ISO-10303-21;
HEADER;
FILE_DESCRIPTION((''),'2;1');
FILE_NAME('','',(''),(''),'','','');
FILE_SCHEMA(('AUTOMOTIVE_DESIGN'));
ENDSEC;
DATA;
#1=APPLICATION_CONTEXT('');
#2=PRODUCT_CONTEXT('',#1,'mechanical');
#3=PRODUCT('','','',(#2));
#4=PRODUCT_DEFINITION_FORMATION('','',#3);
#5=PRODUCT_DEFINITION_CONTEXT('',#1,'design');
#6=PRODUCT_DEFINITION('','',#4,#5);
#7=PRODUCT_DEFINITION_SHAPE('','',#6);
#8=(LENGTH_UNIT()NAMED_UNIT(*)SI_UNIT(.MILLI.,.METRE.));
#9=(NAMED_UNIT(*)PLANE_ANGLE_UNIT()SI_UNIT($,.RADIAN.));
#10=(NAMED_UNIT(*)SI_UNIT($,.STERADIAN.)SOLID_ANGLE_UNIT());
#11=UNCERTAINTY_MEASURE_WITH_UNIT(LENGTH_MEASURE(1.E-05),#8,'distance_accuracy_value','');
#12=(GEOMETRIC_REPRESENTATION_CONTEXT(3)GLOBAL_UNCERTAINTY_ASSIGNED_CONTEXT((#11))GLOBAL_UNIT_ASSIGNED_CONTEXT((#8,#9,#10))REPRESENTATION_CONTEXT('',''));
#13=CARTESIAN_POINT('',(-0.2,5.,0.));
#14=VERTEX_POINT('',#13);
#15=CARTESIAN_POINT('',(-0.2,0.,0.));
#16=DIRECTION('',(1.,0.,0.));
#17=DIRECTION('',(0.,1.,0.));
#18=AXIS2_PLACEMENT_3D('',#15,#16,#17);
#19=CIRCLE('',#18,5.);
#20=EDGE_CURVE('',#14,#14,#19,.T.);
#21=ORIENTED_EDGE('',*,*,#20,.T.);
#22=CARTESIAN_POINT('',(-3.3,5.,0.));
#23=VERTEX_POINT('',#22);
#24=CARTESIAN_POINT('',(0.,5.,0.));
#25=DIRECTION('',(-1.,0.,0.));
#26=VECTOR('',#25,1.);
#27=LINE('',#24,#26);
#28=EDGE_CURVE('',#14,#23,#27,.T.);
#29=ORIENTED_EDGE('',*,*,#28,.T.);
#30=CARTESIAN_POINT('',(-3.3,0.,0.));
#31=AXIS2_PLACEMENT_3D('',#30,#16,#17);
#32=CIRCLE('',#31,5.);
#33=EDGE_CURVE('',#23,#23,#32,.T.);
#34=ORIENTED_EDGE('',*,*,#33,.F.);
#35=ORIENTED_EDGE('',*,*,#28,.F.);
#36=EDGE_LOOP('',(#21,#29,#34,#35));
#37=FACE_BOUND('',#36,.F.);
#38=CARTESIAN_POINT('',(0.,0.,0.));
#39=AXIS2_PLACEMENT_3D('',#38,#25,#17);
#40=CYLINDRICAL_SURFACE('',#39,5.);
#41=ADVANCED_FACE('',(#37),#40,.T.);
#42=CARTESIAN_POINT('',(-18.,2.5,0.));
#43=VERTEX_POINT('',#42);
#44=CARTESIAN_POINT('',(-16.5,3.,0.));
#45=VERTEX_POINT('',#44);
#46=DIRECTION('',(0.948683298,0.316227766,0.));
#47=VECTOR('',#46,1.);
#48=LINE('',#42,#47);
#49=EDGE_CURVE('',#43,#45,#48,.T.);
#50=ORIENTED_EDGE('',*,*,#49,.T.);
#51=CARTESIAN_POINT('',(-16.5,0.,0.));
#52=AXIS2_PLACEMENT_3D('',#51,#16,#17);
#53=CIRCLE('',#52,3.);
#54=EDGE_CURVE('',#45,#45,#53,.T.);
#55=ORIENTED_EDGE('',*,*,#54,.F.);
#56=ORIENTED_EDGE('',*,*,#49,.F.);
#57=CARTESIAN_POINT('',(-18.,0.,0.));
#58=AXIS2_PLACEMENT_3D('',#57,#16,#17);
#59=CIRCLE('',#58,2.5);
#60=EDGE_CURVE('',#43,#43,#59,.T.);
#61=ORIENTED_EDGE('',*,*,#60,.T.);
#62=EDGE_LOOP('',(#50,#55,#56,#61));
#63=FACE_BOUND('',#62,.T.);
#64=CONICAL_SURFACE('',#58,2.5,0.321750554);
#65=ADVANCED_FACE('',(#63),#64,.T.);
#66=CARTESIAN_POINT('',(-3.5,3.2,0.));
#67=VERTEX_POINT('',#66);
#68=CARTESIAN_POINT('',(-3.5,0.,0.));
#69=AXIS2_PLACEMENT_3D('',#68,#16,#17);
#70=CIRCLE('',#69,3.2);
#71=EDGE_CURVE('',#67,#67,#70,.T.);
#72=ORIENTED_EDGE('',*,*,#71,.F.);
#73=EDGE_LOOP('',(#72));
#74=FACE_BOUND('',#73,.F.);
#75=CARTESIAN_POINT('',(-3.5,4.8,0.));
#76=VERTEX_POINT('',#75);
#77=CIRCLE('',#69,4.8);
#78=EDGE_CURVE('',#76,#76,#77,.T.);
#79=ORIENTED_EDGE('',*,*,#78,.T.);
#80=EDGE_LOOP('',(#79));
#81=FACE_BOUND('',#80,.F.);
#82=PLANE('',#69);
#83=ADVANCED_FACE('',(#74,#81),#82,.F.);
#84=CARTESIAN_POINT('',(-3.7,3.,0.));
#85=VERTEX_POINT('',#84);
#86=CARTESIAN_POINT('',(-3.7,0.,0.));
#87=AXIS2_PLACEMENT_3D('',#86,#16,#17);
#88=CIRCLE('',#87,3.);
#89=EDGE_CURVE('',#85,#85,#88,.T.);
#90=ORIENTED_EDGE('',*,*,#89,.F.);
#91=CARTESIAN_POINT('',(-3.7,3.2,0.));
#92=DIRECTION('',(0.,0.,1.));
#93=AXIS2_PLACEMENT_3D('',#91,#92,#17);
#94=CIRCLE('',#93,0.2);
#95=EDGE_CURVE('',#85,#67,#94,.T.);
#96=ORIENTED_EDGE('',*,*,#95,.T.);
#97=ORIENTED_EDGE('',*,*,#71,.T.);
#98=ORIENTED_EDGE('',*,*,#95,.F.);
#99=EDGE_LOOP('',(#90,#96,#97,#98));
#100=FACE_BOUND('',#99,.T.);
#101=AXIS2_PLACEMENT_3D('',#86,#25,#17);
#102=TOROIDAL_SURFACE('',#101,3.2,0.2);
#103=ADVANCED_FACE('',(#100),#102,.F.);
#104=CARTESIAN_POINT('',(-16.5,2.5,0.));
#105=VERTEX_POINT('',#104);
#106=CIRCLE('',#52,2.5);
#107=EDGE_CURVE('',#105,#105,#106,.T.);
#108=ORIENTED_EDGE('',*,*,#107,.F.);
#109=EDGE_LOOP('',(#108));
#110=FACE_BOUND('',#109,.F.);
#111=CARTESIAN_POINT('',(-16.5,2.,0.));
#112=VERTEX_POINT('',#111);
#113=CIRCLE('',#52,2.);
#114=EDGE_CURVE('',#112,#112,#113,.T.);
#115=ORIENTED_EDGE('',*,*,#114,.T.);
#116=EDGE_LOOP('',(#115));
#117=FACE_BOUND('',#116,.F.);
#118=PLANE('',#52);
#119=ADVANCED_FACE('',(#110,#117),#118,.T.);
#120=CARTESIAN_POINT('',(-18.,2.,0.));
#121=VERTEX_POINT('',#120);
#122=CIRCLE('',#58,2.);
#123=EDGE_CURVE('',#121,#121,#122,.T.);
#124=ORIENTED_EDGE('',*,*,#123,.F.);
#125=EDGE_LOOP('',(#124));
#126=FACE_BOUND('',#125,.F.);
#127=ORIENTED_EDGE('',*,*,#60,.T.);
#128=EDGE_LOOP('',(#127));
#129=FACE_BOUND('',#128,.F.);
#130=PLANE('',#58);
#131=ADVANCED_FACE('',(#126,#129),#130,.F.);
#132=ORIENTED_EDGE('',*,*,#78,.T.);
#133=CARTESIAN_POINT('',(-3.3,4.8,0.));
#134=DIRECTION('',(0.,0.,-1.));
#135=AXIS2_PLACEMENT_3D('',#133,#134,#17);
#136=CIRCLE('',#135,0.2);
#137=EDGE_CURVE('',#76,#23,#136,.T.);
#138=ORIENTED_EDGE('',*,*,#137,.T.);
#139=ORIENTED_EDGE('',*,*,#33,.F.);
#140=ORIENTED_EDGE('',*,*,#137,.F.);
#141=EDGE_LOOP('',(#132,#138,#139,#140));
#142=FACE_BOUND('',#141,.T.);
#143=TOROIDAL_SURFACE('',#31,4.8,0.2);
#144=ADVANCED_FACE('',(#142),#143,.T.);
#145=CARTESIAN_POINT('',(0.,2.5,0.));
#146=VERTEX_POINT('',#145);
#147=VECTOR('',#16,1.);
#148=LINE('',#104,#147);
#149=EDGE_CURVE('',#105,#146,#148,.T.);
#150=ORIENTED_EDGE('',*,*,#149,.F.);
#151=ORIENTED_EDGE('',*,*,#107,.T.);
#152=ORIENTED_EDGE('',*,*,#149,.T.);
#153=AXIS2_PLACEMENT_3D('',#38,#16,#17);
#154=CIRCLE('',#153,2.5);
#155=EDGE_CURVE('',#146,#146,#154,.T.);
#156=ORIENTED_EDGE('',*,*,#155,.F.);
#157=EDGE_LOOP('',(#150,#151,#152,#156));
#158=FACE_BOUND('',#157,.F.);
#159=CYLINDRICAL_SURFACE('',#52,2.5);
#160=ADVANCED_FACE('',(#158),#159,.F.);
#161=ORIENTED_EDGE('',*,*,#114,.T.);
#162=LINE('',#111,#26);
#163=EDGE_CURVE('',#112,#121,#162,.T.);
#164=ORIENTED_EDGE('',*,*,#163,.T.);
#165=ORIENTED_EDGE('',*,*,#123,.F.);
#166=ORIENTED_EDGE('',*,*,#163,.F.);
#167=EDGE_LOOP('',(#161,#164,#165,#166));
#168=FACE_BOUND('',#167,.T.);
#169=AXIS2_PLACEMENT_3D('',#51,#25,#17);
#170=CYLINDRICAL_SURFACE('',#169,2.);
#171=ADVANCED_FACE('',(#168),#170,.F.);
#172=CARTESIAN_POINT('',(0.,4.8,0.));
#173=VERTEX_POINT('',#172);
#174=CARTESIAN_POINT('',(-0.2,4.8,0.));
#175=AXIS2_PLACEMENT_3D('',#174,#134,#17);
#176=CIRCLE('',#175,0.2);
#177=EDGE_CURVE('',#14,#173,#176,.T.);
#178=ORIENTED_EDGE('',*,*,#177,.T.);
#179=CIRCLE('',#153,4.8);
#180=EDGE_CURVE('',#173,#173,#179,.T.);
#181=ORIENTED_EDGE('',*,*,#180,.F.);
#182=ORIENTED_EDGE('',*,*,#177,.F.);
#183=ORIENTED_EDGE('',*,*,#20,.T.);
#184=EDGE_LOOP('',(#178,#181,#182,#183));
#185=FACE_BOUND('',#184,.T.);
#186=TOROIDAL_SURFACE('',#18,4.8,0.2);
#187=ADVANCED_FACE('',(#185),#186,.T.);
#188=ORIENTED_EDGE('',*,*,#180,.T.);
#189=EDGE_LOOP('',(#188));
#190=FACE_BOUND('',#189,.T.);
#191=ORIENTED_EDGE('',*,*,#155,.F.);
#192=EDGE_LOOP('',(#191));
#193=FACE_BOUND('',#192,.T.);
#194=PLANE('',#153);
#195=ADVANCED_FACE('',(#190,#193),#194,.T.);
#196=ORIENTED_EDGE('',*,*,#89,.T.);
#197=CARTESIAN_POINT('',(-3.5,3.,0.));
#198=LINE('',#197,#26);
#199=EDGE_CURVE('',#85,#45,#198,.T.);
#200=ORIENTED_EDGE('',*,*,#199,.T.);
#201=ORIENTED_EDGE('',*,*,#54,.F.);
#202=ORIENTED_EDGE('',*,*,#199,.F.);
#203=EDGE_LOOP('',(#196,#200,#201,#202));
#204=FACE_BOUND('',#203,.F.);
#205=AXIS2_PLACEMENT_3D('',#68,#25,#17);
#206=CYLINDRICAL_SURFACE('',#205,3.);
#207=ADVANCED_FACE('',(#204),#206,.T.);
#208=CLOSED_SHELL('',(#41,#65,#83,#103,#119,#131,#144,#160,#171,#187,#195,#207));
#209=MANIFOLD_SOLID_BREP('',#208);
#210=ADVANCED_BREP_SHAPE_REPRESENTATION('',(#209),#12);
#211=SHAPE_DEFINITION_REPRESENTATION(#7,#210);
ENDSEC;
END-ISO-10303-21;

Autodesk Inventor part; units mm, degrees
ref_plane "YZ Plane" through (0, 0, 0) normal (1, 0, 0) x (0, 1, 0)
ref_plane "XZ Plane" through (0, 0, 0) normal (0, 1, 0) x (-1, 0, 0)
ref_plane "XY Plane" through (0, 0, 0) normal (0, 0, 1) x (1, 0, 0)
sketch "Skizze1" plane through (0, 0, 0) normal (0, 0, 1) x (1, 0, 0)
  line L0 (-16.5, 2.5) -> (0, 2.5)
  line L1 (0, 5) -> (-3.5, 5)
  line L2 (0, 5) -> (0, 2.5)
  line L3 (-3.5, 5) -> (-3.5, 3)
  line L4 (-3.5, 3) -> (-16.5, 3)
  line L5 (-18, 2.5) -> (-16.5, 3)
  line L6 (-16.5, 2) -> (-18, 2)
  line L7 (-16.5, 2) -> (-16.5, 2.5)
  line L8 (-18, 2.5) -> (-18, 2)
  line L9 (0, 1.4) -> (0, 5.6) projected
  line L10 (-21.6, 0) -> (3.6, 0) projected
  dimension "d0" = 5
  dimension "d1" = 10
  dimension "d2" = 6
  dimension "d3" = 1.5
  dimension "d4" = 4
  dimension "d5" = 18
  dimension "d6" = 3.5
  dimension "d7" = 161.565
revolve "Umdrehung1" add sketch "Skizze1" angle 360 about axis through (-10, 0, 0) along (1, 0, 0)
thread "Gewinde1" size "M10x0.5" class "6g" standard "ISO Metric profile" full length
fillet "Rundung1" radius 0.2 3 edges at (-3.5, -3, 0) (-3.5, -5, 0) (0, -5, 0)
properties part number "YTP-AP-E12-R1.0"
